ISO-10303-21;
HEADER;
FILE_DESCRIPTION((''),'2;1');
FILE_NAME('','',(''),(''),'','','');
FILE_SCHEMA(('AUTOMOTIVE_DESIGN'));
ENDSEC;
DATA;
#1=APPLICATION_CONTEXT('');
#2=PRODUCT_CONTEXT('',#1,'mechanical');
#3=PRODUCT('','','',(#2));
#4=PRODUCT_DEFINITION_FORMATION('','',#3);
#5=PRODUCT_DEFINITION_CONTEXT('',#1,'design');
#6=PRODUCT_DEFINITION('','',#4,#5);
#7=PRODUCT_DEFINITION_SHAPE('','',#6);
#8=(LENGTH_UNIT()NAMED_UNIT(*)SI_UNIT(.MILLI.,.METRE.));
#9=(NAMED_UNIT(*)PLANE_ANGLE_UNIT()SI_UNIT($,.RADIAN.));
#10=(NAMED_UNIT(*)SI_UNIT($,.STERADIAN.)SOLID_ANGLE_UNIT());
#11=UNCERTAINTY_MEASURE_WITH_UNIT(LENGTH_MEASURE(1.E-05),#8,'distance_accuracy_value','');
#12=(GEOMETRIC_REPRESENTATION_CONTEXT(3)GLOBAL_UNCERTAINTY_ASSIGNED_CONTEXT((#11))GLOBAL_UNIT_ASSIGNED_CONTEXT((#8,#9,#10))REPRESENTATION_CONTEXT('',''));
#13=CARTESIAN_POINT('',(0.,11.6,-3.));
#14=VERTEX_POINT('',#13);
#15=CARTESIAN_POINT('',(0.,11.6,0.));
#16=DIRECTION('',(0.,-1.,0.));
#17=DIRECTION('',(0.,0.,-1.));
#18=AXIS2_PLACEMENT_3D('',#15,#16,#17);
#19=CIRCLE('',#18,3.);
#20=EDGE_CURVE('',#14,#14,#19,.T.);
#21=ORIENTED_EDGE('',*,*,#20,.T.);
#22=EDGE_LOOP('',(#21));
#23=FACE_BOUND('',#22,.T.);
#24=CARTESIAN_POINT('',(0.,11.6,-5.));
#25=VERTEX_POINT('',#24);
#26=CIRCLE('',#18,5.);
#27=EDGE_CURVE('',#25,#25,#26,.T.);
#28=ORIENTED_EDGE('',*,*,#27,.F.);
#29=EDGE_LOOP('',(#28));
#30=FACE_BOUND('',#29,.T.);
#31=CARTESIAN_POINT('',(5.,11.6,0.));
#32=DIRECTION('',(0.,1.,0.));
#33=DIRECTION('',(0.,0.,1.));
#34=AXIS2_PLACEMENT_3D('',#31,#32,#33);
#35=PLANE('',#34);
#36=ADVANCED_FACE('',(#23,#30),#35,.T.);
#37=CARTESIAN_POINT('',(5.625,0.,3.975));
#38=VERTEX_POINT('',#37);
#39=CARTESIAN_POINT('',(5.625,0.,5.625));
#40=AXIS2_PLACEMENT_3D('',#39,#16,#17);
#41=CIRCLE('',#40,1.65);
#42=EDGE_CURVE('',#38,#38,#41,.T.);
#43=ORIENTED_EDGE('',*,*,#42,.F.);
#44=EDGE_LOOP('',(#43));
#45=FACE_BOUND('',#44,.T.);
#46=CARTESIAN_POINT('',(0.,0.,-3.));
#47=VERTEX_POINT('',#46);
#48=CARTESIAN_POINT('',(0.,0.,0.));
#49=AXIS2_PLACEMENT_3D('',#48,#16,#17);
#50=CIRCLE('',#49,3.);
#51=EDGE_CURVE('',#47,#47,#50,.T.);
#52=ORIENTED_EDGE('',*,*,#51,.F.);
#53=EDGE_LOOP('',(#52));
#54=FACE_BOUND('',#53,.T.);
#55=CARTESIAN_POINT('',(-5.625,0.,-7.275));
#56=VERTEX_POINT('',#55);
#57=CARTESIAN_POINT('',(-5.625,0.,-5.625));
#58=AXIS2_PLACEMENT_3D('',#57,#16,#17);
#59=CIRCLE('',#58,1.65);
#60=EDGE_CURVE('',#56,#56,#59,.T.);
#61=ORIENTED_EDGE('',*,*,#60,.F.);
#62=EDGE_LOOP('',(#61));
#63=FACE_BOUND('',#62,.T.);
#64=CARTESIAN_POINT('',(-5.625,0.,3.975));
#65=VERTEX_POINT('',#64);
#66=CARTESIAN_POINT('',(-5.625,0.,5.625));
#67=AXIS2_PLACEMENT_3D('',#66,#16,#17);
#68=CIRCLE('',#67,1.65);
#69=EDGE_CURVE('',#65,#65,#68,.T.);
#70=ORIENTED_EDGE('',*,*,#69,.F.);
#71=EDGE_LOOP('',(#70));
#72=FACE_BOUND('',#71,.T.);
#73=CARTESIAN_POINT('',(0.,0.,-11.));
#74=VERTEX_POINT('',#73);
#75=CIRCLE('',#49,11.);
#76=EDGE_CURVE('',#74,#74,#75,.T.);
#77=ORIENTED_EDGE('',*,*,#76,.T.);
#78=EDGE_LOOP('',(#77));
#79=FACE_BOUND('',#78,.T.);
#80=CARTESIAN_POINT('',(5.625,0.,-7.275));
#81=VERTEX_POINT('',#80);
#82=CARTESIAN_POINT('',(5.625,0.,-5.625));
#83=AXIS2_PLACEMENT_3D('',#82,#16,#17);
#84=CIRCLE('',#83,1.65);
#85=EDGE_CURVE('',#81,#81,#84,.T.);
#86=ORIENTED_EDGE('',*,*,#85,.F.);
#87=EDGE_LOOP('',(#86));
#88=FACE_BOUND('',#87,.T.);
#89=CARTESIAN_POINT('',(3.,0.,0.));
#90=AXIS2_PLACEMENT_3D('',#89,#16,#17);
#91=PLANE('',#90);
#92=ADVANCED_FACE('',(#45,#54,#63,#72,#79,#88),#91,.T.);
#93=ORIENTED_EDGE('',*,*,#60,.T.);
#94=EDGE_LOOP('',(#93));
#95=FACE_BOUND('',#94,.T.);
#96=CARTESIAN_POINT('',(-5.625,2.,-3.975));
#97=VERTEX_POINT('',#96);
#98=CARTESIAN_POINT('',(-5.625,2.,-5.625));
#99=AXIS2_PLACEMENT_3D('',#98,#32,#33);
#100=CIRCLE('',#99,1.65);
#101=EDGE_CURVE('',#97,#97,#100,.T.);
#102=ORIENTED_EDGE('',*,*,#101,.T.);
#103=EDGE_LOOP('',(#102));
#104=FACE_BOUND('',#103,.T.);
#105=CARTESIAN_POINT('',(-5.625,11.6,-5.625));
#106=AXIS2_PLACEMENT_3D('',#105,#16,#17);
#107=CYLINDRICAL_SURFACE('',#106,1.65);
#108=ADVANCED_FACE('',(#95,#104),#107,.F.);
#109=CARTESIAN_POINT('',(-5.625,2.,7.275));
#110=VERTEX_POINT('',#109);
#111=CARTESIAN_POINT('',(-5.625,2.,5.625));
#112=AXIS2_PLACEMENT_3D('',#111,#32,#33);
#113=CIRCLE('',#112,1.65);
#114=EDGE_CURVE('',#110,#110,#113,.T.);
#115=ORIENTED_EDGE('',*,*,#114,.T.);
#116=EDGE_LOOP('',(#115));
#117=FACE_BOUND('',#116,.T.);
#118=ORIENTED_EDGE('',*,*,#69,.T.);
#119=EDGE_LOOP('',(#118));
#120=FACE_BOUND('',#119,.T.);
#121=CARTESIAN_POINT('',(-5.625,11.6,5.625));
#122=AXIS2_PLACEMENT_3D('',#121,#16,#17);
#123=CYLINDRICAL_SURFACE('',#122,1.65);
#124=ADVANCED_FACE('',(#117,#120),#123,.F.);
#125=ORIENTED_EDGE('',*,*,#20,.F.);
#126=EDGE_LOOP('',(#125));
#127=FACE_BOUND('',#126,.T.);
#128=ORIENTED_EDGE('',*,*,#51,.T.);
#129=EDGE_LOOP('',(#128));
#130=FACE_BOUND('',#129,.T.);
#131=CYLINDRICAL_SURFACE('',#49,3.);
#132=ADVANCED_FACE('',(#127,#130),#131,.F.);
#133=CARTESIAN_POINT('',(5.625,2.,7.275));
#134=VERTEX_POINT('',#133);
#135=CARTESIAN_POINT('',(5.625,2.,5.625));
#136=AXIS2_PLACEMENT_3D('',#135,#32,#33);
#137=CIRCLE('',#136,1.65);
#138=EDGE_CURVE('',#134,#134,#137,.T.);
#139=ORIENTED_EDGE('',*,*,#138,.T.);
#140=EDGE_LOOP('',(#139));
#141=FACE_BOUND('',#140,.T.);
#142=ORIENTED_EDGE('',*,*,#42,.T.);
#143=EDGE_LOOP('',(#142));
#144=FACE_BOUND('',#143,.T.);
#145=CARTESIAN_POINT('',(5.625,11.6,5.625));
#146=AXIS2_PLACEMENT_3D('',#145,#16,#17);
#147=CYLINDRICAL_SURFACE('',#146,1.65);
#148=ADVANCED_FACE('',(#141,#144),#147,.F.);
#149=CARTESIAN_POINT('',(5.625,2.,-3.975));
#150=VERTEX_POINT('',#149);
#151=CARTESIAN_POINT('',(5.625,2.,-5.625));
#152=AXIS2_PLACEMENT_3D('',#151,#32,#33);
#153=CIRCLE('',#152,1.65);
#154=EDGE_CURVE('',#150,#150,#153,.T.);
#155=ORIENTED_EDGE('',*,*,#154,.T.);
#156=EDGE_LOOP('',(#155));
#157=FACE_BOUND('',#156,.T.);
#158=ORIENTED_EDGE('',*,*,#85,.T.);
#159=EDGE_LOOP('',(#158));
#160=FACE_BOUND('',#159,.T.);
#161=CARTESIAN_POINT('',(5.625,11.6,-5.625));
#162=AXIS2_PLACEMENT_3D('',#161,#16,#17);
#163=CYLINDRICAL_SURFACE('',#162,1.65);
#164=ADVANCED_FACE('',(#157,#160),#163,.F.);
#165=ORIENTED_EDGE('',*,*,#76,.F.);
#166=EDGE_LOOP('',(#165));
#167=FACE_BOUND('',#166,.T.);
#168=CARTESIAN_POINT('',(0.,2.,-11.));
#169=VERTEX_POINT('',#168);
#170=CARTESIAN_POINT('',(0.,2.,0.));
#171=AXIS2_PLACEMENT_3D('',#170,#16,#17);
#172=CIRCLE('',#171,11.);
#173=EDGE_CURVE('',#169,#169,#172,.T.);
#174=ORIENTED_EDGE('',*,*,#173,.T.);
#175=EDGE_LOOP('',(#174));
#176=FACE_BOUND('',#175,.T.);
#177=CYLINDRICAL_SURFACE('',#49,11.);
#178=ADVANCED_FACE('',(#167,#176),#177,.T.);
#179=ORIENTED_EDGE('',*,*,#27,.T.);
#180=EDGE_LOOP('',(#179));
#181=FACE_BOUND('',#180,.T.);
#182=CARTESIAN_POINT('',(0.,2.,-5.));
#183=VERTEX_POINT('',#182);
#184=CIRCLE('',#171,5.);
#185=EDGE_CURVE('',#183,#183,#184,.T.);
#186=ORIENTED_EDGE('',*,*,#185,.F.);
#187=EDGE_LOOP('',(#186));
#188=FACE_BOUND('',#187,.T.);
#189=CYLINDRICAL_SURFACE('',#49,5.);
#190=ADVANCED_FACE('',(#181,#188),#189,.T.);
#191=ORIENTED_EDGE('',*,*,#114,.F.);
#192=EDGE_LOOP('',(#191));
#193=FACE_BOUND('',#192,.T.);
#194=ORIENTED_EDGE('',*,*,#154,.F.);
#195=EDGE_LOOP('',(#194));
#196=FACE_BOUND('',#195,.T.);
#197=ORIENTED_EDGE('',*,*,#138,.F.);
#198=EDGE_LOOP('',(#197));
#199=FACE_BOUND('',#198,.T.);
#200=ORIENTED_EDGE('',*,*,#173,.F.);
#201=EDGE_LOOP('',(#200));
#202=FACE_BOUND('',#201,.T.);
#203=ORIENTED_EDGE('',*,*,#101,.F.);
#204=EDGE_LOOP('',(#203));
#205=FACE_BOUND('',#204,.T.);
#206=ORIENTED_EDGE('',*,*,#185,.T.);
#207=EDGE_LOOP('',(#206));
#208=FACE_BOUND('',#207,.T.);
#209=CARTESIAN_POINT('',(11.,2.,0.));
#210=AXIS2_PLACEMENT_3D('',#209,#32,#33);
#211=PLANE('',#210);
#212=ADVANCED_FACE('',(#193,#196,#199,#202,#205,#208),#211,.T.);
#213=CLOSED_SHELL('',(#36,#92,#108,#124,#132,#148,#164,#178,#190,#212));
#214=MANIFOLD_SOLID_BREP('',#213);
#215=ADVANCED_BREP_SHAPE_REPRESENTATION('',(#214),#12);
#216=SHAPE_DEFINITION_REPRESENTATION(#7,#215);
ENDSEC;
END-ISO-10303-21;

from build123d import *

# Parameters (mm, degrees)
SKETCH_3_R          = 1.65
CUT_EXTRUDE_1_DEPTH = 12.6


with BuildPart() as part:
    # 草图2 → 旋转1 (revolve)
    with BuildSketch(Plane.XY):
        Polygon((3, 11.6), (3, 0), (11, 0), (11, 2), (5, 2), (5, 11.6), align=None)
    revolve(axis=Axis((0, 0, 0), (0, 1, 0)))

    # 草图3 → 切除-拉伸1 (cut, through all)
    with BuildSketch(Plane.XZ):
        with Locations((-5.625, 5.625)):
            Circle(SKETCH_3_R)
        with Locations((5.625, 5.625)):
            Circle(SKETCH_3_R)
        with Locations((5.625, -5.625)):
            Circle(SKETCH_3_R)
        with Locations((-5.625, -5.625)):
            Circle(SKETCH_3_R)
    extrude(amount=-CUT_EXTRUDE_1_DEPTH, mode=Mode.SUBTRACT)


solid = part.part
